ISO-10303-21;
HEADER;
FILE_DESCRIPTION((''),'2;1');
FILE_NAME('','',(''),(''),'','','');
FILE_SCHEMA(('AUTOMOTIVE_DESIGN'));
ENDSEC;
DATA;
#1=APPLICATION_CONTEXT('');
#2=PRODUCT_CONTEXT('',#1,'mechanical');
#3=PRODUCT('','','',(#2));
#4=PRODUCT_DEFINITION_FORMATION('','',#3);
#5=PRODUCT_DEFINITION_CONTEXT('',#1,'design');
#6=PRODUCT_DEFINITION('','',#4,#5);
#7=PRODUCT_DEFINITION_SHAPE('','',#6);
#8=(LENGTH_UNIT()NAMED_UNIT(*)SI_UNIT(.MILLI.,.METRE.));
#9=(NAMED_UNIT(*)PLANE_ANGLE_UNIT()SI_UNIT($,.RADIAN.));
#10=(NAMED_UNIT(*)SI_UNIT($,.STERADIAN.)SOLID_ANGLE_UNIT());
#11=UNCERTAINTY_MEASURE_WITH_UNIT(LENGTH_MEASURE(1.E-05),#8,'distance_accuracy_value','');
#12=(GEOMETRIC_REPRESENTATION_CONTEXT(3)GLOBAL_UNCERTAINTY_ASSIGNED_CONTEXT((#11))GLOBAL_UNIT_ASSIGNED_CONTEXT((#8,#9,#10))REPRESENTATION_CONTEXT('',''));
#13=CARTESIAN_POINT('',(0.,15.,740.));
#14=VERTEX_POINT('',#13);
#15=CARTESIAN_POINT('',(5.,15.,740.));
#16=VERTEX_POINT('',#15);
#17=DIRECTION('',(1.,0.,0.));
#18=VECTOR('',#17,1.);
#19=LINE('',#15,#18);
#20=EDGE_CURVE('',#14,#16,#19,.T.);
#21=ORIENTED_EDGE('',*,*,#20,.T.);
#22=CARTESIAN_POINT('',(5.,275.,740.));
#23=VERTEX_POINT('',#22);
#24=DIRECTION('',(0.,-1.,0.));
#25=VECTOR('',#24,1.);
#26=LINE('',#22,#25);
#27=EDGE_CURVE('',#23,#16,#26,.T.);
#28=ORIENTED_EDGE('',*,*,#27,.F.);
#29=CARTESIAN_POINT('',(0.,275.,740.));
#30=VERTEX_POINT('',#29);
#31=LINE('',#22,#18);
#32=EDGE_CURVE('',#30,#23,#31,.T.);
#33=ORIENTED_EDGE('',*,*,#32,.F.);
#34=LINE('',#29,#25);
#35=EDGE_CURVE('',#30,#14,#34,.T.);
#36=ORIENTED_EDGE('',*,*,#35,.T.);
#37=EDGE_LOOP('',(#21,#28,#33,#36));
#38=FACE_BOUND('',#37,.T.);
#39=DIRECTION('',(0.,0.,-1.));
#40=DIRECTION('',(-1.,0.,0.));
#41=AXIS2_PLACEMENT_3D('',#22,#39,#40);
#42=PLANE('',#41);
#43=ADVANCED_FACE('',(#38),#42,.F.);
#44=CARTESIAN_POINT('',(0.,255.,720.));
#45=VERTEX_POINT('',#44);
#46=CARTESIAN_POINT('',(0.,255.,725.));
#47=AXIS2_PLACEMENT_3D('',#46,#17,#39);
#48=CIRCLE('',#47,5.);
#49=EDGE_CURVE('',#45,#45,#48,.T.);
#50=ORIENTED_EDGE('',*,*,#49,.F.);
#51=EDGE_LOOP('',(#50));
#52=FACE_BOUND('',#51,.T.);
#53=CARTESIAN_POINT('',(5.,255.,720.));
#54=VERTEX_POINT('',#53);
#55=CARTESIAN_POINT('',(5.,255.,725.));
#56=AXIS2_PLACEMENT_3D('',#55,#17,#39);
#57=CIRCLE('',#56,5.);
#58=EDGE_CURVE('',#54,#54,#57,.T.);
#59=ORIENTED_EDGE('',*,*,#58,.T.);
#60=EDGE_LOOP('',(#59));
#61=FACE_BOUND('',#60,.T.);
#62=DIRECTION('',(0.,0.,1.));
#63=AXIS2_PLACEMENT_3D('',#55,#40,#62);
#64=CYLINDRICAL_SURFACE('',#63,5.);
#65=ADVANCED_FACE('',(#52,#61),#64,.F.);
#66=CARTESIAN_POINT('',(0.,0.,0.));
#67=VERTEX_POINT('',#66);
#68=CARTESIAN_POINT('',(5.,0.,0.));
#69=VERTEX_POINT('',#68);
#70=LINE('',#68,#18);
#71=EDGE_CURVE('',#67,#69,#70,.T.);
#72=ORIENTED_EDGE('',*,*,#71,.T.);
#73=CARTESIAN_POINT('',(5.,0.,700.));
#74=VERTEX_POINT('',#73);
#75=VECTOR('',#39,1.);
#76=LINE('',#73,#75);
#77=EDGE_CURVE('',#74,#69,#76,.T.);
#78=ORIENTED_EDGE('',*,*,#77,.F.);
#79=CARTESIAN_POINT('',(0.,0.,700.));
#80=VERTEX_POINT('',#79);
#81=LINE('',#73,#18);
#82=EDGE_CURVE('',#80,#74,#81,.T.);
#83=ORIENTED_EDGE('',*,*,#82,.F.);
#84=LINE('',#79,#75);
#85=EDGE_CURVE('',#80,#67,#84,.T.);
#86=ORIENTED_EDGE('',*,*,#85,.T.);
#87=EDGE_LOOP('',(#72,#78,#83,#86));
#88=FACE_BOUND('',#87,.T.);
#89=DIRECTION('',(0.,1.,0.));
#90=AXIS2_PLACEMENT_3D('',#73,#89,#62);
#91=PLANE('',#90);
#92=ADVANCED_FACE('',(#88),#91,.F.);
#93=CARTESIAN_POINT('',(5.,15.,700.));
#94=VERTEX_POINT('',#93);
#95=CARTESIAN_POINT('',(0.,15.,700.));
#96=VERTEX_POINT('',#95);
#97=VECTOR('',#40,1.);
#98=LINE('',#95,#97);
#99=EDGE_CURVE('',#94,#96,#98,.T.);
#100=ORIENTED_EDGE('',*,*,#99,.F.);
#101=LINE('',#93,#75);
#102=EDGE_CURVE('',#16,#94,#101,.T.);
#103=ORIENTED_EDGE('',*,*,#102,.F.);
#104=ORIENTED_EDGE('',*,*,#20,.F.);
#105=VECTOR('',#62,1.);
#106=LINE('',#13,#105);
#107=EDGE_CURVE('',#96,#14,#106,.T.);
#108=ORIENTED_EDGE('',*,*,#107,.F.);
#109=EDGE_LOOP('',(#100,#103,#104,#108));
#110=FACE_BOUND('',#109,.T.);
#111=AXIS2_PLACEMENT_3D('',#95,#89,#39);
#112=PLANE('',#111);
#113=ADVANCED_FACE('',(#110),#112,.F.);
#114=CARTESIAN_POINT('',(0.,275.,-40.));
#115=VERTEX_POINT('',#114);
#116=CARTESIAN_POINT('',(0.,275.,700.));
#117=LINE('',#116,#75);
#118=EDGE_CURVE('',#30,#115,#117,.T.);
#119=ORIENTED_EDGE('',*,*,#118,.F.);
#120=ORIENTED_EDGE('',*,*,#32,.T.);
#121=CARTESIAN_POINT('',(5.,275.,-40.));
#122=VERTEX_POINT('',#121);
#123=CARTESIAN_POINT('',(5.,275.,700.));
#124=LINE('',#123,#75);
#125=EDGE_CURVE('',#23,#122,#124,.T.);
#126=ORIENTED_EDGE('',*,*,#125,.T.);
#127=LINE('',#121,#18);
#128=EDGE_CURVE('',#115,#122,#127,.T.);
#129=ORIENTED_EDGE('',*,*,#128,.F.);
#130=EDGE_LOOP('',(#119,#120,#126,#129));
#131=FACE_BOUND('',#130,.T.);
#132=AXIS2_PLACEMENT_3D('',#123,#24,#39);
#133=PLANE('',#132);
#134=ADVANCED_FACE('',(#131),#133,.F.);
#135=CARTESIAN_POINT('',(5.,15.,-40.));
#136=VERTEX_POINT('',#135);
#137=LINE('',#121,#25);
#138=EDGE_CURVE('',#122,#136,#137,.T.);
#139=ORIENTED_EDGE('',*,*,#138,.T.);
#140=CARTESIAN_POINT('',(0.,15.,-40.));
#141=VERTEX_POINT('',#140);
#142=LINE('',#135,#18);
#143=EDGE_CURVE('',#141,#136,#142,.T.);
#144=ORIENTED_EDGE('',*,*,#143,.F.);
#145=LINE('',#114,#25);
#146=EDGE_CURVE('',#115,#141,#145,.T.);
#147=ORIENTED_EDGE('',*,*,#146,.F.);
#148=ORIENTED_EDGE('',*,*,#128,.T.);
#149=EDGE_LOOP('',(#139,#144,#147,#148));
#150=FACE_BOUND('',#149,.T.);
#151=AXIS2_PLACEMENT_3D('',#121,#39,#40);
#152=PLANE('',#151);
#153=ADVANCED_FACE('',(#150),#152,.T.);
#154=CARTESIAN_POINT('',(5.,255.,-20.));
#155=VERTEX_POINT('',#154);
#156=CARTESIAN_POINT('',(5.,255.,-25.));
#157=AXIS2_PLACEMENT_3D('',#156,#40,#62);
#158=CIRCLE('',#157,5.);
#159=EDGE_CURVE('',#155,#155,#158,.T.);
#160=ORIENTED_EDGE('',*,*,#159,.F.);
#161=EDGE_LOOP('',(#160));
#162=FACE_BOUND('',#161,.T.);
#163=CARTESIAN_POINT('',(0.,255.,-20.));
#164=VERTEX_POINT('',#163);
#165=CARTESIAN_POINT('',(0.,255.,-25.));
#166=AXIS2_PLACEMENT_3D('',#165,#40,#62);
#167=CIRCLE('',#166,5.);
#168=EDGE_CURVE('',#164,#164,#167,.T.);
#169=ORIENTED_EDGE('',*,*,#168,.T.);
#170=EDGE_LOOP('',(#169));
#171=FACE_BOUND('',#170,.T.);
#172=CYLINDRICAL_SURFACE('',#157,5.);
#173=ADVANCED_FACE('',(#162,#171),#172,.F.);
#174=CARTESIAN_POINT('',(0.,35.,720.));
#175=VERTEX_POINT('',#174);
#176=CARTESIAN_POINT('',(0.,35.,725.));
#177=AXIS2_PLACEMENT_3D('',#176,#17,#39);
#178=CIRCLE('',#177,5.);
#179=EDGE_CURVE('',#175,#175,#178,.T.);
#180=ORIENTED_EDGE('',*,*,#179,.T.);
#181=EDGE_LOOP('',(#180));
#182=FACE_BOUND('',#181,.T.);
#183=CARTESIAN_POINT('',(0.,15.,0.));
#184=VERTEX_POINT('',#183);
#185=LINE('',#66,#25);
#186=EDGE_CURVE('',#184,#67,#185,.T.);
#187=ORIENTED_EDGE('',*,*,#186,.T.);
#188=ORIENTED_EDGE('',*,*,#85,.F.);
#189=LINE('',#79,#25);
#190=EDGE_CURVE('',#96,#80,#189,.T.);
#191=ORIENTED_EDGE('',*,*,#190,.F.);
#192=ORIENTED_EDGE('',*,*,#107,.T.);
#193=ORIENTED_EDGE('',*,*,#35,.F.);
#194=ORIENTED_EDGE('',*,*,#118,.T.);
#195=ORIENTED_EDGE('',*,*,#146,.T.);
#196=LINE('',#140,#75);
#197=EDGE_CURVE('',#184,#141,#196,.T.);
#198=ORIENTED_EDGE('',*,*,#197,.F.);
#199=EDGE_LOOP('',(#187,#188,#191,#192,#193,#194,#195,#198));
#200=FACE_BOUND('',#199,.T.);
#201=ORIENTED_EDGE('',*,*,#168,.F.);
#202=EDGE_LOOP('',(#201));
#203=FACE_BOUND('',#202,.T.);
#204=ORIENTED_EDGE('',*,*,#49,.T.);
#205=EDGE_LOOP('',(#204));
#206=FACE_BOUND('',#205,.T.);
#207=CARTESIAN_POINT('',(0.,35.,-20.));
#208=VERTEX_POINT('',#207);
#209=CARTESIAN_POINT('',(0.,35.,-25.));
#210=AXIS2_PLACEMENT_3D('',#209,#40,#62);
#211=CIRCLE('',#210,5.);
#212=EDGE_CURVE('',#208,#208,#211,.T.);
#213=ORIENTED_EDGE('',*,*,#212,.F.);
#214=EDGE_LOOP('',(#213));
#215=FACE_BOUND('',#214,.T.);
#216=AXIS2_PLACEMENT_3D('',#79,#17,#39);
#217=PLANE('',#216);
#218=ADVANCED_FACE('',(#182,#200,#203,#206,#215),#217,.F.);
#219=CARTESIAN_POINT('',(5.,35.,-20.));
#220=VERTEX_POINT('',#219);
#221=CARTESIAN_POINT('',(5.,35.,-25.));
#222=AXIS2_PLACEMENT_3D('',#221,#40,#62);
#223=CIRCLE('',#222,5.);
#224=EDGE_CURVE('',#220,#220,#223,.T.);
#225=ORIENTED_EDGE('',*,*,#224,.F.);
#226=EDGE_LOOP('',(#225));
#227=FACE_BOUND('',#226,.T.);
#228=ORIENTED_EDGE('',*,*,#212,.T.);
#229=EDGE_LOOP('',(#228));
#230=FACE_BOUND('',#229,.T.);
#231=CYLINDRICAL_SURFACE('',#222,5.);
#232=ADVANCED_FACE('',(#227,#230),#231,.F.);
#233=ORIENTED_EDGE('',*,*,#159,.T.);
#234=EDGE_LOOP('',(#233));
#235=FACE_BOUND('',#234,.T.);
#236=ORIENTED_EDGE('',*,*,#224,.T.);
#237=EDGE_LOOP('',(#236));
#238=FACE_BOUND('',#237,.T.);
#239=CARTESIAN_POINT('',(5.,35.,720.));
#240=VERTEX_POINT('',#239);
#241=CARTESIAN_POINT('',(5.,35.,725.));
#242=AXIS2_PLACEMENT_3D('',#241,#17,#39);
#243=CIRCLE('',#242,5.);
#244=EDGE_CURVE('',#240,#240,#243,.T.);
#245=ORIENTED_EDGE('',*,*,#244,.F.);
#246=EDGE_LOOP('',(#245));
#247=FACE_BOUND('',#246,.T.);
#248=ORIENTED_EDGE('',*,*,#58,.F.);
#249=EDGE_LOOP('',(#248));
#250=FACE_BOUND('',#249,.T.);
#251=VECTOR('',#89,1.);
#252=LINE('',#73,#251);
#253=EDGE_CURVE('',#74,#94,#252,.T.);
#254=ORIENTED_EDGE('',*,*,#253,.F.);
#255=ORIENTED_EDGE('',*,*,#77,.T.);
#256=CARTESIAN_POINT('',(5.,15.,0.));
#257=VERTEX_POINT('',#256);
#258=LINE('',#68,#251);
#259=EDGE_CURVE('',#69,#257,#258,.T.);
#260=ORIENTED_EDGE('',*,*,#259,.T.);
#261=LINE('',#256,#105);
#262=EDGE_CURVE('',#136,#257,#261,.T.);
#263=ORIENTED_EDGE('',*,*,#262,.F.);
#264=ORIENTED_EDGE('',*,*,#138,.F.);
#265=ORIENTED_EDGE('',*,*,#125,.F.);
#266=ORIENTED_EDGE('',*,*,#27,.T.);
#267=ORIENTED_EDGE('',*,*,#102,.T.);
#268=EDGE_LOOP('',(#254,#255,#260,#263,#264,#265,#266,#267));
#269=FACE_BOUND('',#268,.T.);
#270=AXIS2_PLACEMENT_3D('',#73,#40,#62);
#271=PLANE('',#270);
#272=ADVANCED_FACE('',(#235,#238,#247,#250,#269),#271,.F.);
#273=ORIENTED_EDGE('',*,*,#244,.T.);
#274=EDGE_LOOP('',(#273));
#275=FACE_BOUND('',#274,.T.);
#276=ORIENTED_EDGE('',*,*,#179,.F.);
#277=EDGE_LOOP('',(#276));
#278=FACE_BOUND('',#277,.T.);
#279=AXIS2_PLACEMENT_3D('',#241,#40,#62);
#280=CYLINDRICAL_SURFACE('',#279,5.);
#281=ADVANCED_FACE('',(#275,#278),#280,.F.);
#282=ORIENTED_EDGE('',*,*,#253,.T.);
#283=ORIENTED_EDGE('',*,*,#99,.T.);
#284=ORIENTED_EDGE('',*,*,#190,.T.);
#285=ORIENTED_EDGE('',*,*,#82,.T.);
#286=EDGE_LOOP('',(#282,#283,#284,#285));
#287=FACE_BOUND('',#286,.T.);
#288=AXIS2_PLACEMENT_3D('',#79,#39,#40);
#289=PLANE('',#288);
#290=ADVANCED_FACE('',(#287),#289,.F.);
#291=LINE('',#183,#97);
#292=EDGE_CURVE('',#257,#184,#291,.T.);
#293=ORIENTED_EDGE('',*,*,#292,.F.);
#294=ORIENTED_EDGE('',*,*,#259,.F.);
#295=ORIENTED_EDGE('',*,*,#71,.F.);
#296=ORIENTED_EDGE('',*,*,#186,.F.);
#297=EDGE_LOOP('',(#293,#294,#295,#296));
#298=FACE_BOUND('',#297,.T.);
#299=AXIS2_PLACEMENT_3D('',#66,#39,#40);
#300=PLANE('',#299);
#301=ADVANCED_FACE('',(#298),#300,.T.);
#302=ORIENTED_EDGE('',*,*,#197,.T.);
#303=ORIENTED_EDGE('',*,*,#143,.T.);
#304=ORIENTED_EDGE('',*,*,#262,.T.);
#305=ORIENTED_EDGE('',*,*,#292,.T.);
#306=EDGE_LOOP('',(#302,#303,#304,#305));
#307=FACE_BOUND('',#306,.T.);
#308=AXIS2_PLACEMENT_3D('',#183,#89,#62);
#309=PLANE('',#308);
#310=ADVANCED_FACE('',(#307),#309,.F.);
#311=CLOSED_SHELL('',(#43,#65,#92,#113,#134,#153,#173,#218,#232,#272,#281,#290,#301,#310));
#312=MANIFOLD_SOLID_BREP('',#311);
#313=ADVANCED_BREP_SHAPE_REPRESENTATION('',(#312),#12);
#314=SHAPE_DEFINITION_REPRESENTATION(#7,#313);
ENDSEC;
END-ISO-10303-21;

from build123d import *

# Parameters (mm, degrees)
SKETCH1_W           = 5
SKETCH1_H           = 275
BOSS_EXTRUDE1_DEPTH = 700
SKETCH2_W           = 5
SKETCH2_H           = 40
BOSS_EXTRUDE2_DEPTH = 260
SKETCH3_R           = 5
CUT_EXTRUDE1_DEPTH  = 790.461842016


with BuildPart() as part:
    # Sketch1 → Boss-Extrude1 (new body)
    with BuildSketch(Plane.XY):
        with Locations((2.5, 137.5)):
            Rectangle(SKETCH1_W, SKETCH1_H)
    extrude(amount=BOSS_EXTRUDE1_DEPTH)

    # Sketch2 → Boss-Extrude2 (add)
    with BuildSketch(Plane(origin=(0, 15, 0), x_dir=(-1, 0, 0), z_dir=(0, -1, 0))):
        with Locations((-2.5, 20)):
            Rectangle(SKETCH2_W, SKETCH2_H)
    boss_extrude2 = extrude(amount=-BOSS_EXTRUDE2_DEPTH)

    # Mirror1: Boss-Extrude2 across plane
    add(boss_extrude2.mirror(Plane(origin=(0, 0, 350), x_dir=(1, 0, 0), z_dir=(0, 0, -1))))

    # Sketch3 → Cut-Extrude1 (cut, through all)
    with BuildSketch(Plane.ZY):
        with Locations((-25, 255)):
            Circle(SKETCH3_R)
        with Locations((-25, 35)):
            Circle(SKETCH3_R)
    cut_extrude1 = extrude(amount=-CUT_EXTRUDE1_DEPTH, mode=Mode.SUBTRACT)

    # Mirror2: Cut-Extrude1 across plane
    add(cut_extrude1.mirror(Plane(origin=(0, 0, 350), x_dir=(1, 0, 0), z_dir=(0, 0, -1))), mode=Mode.SUBTRACT)


solid = part.part
